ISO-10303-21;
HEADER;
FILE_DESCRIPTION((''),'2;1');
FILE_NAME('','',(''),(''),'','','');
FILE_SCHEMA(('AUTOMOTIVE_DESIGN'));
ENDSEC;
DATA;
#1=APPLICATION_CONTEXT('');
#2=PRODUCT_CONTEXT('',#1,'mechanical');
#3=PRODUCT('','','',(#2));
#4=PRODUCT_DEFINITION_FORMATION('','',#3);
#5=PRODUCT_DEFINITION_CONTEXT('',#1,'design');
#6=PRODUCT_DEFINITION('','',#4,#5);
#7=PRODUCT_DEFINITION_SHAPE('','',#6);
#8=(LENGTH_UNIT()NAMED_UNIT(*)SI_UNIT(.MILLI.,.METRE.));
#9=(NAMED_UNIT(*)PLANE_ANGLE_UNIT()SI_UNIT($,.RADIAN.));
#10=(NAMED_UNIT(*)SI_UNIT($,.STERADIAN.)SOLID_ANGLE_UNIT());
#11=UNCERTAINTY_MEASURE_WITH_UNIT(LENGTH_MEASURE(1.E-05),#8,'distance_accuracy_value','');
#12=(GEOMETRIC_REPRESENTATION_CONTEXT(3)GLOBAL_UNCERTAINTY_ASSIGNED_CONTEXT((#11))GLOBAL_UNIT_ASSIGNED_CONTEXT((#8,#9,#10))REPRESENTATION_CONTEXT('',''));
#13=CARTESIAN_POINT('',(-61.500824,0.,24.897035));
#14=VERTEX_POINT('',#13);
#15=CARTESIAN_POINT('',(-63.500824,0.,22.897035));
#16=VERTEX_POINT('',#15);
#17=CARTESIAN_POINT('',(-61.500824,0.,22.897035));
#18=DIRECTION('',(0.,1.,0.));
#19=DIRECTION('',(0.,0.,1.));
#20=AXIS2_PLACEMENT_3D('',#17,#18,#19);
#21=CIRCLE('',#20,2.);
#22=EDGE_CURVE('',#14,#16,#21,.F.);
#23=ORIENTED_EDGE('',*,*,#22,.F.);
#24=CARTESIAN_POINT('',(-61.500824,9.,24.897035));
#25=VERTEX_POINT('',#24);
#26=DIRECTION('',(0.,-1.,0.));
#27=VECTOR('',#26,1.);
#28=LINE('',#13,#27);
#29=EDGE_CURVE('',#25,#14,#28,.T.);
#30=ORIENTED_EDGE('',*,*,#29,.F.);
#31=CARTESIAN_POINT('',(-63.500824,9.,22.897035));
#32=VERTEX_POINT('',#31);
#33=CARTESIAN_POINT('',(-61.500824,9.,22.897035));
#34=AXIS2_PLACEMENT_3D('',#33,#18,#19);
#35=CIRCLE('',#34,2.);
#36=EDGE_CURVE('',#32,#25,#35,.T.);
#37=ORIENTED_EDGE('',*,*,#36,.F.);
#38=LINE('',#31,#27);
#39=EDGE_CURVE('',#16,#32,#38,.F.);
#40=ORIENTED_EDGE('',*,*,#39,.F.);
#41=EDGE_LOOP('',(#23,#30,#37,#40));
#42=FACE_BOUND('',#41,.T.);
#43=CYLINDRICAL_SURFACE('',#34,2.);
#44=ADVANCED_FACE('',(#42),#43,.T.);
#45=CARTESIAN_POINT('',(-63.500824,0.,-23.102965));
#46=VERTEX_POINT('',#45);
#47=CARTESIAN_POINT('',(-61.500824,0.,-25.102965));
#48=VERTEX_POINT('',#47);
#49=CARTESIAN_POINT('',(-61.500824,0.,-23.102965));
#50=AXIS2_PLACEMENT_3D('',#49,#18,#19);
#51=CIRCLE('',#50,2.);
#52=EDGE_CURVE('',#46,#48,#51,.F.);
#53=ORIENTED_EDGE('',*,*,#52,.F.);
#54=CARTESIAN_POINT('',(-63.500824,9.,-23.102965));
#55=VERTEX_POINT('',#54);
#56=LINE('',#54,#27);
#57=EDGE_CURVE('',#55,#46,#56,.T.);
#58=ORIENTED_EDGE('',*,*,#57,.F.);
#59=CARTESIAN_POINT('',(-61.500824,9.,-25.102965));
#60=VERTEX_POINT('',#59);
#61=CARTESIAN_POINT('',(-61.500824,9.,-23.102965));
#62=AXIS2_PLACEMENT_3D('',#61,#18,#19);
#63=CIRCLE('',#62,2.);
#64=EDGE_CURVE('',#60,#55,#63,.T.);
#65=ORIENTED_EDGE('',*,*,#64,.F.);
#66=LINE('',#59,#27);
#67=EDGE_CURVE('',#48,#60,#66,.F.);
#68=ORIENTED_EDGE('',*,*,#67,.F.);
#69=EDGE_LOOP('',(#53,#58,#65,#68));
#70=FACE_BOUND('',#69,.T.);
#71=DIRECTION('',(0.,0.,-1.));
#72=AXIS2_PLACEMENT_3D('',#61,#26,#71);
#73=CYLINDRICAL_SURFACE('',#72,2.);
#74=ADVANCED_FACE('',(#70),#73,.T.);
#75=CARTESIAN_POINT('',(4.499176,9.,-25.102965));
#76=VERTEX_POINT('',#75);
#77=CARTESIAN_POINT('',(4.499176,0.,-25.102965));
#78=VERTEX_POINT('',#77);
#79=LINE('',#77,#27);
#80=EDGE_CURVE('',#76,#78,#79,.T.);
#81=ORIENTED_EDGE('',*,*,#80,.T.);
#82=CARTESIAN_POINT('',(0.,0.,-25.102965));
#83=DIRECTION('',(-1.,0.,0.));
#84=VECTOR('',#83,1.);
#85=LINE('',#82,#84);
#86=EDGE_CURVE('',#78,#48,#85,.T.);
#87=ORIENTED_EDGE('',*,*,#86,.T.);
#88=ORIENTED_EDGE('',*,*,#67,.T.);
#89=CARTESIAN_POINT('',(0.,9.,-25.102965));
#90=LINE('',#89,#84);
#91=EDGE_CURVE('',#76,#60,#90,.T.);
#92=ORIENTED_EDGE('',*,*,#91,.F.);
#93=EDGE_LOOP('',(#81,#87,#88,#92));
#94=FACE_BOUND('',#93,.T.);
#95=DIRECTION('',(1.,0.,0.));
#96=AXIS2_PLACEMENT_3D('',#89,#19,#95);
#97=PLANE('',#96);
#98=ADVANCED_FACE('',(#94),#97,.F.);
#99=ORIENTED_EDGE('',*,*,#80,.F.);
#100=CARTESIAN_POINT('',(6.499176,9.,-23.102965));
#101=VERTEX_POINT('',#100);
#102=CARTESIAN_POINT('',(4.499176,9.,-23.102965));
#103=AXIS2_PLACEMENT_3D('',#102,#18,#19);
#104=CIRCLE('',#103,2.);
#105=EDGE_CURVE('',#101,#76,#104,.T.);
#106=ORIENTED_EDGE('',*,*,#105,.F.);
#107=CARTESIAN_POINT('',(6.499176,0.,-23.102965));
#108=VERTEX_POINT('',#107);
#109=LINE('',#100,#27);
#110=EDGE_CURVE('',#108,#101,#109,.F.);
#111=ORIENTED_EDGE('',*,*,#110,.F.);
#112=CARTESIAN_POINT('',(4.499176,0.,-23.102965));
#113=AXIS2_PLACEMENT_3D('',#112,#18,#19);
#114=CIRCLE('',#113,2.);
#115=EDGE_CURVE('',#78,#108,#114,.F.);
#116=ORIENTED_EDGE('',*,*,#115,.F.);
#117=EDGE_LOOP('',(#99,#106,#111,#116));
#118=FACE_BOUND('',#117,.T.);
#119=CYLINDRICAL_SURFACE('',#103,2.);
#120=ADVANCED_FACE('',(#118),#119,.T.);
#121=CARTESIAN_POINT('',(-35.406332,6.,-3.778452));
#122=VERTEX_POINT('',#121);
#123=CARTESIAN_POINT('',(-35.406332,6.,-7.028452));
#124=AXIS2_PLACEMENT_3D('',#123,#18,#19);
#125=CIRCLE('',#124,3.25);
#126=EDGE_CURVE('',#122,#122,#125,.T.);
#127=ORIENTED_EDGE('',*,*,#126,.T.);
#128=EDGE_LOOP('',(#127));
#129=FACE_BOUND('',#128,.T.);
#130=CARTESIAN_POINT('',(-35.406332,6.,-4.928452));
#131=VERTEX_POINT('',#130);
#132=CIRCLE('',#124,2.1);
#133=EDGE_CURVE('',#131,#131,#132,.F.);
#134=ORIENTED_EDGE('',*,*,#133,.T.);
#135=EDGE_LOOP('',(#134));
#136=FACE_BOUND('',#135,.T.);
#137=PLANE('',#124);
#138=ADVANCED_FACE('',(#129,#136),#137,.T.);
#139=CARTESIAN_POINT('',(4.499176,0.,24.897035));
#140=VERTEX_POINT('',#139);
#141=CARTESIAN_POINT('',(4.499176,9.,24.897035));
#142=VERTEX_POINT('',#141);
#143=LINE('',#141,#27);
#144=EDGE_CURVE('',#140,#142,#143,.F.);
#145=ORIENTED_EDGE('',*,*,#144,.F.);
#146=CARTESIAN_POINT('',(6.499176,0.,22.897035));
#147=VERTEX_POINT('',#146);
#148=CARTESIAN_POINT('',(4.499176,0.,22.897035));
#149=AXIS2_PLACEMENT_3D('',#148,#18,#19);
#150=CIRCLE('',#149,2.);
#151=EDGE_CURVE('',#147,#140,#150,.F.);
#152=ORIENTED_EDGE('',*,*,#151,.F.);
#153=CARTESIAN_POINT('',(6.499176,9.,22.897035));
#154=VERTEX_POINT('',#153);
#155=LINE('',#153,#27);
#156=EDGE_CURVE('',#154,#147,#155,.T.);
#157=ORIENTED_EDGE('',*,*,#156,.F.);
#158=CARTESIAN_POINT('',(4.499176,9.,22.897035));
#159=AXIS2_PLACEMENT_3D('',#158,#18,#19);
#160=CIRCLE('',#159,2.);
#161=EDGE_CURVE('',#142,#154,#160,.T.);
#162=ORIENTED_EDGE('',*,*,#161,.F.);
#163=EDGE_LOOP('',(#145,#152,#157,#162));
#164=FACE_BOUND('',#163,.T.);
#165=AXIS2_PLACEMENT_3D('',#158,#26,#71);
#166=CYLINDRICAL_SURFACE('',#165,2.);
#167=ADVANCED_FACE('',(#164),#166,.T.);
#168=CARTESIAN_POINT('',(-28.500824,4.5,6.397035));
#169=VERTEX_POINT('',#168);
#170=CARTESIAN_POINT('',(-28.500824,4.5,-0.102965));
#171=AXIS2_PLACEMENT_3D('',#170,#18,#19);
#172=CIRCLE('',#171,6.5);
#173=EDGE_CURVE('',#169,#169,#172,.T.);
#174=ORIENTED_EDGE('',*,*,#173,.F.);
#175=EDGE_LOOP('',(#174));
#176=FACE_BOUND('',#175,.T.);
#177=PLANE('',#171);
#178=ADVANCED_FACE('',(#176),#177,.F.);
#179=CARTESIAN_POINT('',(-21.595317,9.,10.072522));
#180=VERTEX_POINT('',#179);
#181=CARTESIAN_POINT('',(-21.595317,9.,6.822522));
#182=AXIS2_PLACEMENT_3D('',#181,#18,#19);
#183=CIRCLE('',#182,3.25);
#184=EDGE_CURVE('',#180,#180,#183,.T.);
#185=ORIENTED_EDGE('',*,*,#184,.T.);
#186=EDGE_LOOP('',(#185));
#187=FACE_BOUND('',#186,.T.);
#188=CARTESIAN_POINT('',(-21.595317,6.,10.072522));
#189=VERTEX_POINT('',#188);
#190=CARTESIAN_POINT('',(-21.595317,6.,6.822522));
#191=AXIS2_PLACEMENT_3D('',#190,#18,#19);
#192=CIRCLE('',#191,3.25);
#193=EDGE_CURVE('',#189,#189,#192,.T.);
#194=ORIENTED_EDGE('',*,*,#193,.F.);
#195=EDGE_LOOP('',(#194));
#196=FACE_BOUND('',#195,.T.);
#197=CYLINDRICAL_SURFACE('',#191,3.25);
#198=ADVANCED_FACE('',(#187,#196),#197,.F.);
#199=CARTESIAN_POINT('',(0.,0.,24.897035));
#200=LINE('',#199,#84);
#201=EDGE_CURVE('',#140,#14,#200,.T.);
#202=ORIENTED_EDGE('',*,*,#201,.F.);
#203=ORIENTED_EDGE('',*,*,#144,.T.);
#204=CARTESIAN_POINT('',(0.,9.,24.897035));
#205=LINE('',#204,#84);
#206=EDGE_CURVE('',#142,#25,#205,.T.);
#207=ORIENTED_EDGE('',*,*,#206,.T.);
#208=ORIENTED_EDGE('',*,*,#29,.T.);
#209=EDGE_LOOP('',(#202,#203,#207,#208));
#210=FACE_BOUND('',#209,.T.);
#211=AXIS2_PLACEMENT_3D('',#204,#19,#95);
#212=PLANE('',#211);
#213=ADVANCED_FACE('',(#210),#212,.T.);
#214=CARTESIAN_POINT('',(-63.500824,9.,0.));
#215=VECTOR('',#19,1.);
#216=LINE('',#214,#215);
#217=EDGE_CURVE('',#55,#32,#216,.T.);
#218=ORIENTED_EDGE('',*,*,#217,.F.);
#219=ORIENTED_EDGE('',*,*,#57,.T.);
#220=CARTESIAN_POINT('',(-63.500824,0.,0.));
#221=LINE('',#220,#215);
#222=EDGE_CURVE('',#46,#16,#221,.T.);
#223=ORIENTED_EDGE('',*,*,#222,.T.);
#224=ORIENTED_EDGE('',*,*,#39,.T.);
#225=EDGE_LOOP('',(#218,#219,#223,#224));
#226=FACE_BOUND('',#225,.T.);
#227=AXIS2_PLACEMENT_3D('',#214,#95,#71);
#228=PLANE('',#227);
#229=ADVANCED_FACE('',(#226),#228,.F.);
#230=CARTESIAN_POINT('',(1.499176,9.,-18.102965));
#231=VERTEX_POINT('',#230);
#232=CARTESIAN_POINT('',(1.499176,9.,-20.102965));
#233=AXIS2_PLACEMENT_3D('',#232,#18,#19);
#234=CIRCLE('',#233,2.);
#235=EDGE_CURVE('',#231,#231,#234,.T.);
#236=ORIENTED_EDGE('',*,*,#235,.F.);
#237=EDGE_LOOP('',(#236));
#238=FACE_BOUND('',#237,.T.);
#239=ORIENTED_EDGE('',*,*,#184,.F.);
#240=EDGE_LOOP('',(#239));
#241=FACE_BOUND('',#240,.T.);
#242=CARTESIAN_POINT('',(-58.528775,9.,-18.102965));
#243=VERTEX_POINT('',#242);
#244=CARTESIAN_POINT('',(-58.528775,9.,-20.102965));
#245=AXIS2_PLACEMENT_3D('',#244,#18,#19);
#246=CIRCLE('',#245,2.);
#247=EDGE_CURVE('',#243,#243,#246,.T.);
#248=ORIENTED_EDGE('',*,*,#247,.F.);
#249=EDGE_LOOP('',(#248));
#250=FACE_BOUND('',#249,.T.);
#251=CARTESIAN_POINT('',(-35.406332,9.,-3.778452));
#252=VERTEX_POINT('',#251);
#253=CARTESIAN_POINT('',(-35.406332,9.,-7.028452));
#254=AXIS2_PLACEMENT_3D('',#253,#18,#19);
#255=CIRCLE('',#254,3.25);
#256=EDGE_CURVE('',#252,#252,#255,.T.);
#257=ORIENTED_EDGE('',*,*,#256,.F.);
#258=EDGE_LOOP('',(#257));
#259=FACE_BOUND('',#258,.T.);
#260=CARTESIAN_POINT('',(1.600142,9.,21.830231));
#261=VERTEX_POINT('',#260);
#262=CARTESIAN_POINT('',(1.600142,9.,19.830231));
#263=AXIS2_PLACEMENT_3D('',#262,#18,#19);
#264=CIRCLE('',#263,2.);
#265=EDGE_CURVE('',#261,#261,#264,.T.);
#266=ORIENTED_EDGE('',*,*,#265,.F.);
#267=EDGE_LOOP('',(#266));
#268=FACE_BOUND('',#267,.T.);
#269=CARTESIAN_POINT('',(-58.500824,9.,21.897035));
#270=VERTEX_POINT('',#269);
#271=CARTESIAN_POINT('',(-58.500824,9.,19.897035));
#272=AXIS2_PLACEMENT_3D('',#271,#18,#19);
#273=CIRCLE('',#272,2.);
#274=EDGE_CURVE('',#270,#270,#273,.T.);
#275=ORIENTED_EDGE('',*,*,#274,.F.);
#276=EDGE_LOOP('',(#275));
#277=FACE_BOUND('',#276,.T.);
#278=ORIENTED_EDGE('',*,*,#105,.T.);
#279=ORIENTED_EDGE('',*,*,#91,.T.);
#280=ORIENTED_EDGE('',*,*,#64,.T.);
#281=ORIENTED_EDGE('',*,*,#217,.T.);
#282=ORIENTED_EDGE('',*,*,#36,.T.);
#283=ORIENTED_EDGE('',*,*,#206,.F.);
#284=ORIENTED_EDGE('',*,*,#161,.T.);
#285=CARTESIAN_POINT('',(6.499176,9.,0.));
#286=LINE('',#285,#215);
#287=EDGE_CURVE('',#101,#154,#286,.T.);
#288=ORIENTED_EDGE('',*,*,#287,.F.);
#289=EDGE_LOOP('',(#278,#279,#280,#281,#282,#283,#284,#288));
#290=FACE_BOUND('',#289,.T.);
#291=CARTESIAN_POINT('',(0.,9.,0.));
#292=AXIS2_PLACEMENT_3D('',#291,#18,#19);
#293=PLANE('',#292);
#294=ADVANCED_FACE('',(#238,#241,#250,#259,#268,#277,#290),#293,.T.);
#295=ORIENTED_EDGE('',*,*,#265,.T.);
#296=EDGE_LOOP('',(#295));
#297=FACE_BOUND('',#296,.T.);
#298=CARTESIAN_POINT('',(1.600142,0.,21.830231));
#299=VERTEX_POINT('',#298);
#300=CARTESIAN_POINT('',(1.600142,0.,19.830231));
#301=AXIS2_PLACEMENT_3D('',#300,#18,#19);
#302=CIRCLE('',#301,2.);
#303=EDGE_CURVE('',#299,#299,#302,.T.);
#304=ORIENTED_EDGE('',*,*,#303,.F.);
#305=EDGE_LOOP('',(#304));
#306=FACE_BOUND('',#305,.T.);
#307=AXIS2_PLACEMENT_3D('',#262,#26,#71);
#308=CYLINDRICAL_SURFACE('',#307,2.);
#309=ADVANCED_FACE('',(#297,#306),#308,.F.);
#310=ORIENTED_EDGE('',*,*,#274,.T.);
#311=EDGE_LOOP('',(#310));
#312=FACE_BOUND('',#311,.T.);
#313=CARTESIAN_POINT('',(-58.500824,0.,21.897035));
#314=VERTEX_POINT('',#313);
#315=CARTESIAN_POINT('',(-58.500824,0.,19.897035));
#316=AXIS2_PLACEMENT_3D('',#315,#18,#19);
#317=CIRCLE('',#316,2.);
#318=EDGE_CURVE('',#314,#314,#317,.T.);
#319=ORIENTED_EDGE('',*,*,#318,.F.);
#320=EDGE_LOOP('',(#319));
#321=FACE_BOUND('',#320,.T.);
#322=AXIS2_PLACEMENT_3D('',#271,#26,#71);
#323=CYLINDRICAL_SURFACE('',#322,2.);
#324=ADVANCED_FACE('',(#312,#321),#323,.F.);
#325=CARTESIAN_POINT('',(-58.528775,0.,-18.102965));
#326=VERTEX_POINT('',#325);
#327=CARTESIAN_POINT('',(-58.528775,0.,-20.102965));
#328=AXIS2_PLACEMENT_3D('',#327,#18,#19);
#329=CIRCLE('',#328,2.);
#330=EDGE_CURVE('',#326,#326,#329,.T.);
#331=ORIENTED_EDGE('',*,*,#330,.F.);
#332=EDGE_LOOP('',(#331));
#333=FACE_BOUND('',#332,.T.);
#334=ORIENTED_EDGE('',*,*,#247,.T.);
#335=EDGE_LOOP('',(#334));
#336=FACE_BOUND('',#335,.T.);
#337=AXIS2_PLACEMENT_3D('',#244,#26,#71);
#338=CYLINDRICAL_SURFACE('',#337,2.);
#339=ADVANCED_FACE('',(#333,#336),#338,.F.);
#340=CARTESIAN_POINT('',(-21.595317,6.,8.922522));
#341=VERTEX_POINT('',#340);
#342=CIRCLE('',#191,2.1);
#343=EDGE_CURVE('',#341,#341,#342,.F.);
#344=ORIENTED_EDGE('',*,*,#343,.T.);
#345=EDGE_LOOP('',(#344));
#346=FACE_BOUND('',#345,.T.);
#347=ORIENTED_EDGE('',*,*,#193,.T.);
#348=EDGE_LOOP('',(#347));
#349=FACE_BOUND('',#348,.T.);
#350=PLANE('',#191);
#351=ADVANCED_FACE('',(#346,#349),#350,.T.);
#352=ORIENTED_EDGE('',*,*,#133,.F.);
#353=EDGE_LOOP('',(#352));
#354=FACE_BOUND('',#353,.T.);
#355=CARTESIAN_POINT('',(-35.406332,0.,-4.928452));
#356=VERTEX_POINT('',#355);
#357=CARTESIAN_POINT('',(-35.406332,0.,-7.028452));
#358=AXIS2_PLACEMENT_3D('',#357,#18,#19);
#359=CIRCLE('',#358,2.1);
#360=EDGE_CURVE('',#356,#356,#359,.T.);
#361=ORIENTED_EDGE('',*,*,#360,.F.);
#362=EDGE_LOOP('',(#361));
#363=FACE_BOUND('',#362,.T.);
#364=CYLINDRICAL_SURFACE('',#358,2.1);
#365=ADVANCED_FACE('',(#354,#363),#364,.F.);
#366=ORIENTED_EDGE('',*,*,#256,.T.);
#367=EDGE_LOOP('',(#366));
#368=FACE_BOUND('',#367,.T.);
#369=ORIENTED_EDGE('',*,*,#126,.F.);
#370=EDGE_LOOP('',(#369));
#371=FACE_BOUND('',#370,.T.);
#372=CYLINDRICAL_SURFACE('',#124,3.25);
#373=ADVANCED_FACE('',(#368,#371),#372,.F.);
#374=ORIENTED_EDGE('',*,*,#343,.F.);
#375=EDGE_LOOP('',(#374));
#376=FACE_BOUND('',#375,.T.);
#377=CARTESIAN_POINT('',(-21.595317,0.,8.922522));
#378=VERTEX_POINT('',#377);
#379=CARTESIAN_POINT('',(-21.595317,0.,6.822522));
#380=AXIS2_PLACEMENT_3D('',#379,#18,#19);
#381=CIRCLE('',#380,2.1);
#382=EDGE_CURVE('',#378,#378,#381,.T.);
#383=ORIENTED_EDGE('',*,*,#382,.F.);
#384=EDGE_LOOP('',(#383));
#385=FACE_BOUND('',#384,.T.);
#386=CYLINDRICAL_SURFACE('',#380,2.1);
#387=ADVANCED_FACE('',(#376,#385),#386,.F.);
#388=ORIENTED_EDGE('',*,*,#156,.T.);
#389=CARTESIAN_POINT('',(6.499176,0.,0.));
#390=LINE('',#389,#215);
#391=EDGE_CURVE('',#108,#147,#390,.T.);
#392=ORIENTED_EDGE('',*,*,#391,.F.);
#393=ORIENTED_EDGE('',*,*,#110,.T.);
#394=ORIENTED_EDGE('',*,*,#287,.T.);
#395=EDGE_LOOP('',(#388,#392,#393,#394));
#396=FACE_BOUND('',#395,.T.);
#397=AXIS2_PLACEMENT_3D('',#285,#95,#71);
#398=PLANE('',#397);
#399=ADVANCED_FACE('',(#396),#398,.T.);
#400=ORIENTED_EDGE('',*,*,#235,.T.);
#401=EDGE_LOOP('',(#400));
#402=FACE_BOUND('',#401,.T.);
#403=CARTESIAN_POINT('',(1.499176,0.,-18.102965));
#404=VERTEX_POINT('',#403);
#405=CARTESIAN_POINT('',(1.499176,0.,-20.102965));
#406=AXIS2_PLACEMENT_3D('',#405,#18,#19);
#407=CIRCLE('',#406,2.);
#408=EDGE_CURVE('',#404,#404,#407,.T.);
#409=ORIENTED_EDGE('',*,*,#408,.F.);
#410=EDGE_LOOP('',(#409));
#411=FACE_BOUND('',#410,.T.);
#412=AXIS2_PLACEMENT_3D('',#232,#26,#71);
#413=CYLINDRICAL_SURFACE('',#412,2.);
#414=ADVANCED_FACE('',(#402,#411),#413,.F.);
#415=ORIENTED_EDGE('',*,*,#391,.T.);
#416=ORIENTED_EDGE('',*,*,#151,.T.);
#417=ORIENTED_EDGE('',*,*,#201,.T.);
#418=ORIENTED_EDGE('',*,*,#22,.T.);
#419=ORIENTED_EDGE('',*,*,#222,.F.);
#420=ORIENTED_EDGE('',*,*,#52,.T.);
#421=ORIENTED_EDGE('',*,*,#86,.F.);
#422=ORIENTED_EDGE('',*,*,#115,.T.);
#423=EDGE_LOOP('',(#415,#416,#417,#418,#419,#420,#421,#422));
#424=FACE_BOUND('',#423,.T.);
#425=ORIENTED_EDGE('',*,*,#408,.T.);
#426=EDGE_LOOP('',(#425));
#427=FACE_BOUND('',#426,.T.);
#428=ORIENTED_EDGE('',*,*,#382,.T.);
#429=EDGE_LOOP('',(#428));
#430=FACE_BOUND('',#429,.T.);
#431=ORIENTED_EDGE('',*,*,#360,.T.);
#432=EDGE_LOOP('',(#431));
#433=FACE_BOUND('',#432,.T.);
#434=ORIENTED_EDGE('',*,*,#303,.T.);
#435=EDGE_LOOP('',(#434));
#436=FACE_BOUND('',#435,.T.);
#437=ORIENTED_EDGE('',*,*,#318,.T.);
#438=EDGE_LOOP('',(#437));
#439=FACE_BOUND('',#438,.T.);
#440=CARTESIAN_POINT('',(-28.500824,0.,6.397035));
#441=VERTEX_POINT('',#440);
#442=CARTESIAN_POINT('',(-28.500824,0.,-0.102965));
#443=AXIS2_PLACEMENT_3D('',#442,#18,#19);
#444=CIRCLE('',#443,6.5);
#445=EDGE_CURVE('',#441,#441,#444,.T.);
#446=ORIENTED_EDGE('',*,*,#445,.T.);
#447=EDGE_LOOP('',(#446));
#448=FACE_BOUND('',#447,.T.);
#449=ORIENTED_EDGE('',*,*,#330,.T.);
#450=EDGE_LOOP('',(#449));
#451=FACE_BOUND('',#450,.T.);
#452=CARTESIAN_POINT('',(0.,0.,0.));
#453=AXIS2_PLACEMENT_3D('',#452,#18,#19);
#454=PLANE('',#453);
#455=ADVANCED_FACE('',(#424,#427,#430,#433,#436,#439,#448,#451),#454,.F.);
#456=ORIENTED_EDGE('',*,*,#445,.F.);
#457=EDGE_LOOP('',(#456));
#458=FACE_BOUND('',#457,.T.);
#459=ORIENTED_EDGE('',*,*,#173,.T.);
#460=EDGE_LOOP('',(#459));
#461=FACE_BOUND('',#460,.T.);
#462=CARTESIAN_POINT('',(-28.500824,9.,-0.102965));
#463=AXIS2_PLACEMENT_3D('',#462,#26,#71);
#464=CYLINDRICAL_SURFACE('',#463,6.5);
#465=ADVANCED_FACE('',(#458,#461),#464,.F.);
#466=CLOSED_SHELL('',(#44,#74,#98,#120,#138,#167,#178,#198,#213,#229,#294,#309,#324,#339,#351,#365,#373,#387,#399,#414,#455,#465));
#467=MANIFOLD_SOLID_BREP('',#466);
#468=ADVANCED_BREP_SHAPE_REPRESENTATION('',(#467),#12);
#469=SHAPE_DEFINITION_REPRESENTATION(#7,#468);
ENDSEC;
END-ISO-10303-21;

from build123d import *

# Parameters (mm, degrees)
SKETCH1_W           = 70
SKETCH1_H           = 50
SKETCH1_R           = 2
SKETCH1_R_2         = 6.5
BOSS_EXTRUDE1_DEPTH = 9
SKETCH5_R           = 2.1
CUT_EXTRUDE1_DEPTH  = 9
SKETCH6_R           = 3.25
CUT_EXTRUDE2_DEPTH  = 3
FILLET1_R           = 2
BOSS_EXTRUDE3_START = -4.5
SKETCH8_R           = 6.5
BOSS_EXTRUDE3_DEPTH = 4.5


with BuildPart() as part:
    # Sketch1 → Boss-Extrude1 (new body)
    with BuildSketch(Plane(origin=(0, 0, 0), x_dir=(1, 0, 0), z_dir=(0, 1, 0))):
        with Locations((-28.500824125, 0.1029652)):
            Rectangle(SKETCH1_W, SKETCH1_H)
        with Locations(Location((-58.528775182, 20.1029652, 0), (0, 0, 270))):
            Circle(SKETCH1_R, mode=Mode.SUBTRACT)
        with Locations(Location((-58.500824125, -19.8970348, 0), (0, 0, 270))):
            Circle(SKETCH1_R, mode=Mode.SUBTRACT)
        with Locations(Location((1.600142136, -19.83023128, 0), (0, 0, 270))):
            Circle(SKETCH1_R, mode=Mode.SUBTRACT)
        with Locations(Location((1.499175875, 20.1029652, 0), (0, 0, 270))):
            Circle(SKETCH1_R, mode=Mode.SUBTRACT)
        with Locations(Location((-28.500824125, 0.1029652, 0), (0, 0, 270))):
            Circle(SKETCH1_R_2, mode=Mode.SUBTRACT)
    extrude(amount=BOSS_EXTRUDE1_DEPTH)

    # Sketch5 → Cut-Extrude1 (cut)
    with BuildSketch(Plane(origin=(0, 9, 0), x_dir=(1, 0, 0), z_dir=(0, 1, 0))):
        with Locations(Location((-35.4063316, 7.028451935, 0), (0, 0, 270))):
            Circle(SKETCH5_R)
        with Locations(Location((-21.595316651, -6.822521536, 0), (0, 0, 270))):
            Circle(SKETCH5_R)
    extrude(amount=-CUT_EXTRUDE1_DEPTH, mode=Mode.SUBTRACT)

    # Sketch6 → Cut-Extrude2 (cut)
    with BuildSketch(Plane(origin=(0, 9, 0), x_dir=(1, 0, 0), z_dir=(0, 1, 0))):
        with Locations(Location((-35.4063316, 7.028451935, 0), (0, 0, 270))):
            Circle(SKETCH6_R)
        with Locations(Location((-21.595316651, -6.822521536, 0), (0, 0, 270))):
            Circle(SKETCH6_R)
    extrude(amount=-CUT_EXTRUDE2_DEPTH, mode=Mode.SUBTRACT)

    # Fillet1
    fillet1_edges = [part.edges().sort_by_distance(p)[0] for p in [
        (6.499175875, 4.5, -25.1029652),
        (6.499175875, 4.5, 24.8970348),
        (-63.500824125, 4.5, 24.8970348),
        (-63.500824125, 4.5, -25.1029652),
    ]]
    fillet(fillet1_edges, radius=FILLET1_R)

    # Sketch8 → Boss-Extrude3 (add)
    with BuildSketch(Plane(origin=(0, 9, 0), x_dir=(1, 0, 0), z_dir=(0, 1, 0)).offset(BOSS_EXTRUDE3_START)):
        with Locations(Location((-28.500824125, 0.1029652, 0), (0, 0, 270))):
            Circle(SKETCH8_R)
    extrude(amount=BOSS_EXTRUDE3_DEPTH)


solid = part.part
